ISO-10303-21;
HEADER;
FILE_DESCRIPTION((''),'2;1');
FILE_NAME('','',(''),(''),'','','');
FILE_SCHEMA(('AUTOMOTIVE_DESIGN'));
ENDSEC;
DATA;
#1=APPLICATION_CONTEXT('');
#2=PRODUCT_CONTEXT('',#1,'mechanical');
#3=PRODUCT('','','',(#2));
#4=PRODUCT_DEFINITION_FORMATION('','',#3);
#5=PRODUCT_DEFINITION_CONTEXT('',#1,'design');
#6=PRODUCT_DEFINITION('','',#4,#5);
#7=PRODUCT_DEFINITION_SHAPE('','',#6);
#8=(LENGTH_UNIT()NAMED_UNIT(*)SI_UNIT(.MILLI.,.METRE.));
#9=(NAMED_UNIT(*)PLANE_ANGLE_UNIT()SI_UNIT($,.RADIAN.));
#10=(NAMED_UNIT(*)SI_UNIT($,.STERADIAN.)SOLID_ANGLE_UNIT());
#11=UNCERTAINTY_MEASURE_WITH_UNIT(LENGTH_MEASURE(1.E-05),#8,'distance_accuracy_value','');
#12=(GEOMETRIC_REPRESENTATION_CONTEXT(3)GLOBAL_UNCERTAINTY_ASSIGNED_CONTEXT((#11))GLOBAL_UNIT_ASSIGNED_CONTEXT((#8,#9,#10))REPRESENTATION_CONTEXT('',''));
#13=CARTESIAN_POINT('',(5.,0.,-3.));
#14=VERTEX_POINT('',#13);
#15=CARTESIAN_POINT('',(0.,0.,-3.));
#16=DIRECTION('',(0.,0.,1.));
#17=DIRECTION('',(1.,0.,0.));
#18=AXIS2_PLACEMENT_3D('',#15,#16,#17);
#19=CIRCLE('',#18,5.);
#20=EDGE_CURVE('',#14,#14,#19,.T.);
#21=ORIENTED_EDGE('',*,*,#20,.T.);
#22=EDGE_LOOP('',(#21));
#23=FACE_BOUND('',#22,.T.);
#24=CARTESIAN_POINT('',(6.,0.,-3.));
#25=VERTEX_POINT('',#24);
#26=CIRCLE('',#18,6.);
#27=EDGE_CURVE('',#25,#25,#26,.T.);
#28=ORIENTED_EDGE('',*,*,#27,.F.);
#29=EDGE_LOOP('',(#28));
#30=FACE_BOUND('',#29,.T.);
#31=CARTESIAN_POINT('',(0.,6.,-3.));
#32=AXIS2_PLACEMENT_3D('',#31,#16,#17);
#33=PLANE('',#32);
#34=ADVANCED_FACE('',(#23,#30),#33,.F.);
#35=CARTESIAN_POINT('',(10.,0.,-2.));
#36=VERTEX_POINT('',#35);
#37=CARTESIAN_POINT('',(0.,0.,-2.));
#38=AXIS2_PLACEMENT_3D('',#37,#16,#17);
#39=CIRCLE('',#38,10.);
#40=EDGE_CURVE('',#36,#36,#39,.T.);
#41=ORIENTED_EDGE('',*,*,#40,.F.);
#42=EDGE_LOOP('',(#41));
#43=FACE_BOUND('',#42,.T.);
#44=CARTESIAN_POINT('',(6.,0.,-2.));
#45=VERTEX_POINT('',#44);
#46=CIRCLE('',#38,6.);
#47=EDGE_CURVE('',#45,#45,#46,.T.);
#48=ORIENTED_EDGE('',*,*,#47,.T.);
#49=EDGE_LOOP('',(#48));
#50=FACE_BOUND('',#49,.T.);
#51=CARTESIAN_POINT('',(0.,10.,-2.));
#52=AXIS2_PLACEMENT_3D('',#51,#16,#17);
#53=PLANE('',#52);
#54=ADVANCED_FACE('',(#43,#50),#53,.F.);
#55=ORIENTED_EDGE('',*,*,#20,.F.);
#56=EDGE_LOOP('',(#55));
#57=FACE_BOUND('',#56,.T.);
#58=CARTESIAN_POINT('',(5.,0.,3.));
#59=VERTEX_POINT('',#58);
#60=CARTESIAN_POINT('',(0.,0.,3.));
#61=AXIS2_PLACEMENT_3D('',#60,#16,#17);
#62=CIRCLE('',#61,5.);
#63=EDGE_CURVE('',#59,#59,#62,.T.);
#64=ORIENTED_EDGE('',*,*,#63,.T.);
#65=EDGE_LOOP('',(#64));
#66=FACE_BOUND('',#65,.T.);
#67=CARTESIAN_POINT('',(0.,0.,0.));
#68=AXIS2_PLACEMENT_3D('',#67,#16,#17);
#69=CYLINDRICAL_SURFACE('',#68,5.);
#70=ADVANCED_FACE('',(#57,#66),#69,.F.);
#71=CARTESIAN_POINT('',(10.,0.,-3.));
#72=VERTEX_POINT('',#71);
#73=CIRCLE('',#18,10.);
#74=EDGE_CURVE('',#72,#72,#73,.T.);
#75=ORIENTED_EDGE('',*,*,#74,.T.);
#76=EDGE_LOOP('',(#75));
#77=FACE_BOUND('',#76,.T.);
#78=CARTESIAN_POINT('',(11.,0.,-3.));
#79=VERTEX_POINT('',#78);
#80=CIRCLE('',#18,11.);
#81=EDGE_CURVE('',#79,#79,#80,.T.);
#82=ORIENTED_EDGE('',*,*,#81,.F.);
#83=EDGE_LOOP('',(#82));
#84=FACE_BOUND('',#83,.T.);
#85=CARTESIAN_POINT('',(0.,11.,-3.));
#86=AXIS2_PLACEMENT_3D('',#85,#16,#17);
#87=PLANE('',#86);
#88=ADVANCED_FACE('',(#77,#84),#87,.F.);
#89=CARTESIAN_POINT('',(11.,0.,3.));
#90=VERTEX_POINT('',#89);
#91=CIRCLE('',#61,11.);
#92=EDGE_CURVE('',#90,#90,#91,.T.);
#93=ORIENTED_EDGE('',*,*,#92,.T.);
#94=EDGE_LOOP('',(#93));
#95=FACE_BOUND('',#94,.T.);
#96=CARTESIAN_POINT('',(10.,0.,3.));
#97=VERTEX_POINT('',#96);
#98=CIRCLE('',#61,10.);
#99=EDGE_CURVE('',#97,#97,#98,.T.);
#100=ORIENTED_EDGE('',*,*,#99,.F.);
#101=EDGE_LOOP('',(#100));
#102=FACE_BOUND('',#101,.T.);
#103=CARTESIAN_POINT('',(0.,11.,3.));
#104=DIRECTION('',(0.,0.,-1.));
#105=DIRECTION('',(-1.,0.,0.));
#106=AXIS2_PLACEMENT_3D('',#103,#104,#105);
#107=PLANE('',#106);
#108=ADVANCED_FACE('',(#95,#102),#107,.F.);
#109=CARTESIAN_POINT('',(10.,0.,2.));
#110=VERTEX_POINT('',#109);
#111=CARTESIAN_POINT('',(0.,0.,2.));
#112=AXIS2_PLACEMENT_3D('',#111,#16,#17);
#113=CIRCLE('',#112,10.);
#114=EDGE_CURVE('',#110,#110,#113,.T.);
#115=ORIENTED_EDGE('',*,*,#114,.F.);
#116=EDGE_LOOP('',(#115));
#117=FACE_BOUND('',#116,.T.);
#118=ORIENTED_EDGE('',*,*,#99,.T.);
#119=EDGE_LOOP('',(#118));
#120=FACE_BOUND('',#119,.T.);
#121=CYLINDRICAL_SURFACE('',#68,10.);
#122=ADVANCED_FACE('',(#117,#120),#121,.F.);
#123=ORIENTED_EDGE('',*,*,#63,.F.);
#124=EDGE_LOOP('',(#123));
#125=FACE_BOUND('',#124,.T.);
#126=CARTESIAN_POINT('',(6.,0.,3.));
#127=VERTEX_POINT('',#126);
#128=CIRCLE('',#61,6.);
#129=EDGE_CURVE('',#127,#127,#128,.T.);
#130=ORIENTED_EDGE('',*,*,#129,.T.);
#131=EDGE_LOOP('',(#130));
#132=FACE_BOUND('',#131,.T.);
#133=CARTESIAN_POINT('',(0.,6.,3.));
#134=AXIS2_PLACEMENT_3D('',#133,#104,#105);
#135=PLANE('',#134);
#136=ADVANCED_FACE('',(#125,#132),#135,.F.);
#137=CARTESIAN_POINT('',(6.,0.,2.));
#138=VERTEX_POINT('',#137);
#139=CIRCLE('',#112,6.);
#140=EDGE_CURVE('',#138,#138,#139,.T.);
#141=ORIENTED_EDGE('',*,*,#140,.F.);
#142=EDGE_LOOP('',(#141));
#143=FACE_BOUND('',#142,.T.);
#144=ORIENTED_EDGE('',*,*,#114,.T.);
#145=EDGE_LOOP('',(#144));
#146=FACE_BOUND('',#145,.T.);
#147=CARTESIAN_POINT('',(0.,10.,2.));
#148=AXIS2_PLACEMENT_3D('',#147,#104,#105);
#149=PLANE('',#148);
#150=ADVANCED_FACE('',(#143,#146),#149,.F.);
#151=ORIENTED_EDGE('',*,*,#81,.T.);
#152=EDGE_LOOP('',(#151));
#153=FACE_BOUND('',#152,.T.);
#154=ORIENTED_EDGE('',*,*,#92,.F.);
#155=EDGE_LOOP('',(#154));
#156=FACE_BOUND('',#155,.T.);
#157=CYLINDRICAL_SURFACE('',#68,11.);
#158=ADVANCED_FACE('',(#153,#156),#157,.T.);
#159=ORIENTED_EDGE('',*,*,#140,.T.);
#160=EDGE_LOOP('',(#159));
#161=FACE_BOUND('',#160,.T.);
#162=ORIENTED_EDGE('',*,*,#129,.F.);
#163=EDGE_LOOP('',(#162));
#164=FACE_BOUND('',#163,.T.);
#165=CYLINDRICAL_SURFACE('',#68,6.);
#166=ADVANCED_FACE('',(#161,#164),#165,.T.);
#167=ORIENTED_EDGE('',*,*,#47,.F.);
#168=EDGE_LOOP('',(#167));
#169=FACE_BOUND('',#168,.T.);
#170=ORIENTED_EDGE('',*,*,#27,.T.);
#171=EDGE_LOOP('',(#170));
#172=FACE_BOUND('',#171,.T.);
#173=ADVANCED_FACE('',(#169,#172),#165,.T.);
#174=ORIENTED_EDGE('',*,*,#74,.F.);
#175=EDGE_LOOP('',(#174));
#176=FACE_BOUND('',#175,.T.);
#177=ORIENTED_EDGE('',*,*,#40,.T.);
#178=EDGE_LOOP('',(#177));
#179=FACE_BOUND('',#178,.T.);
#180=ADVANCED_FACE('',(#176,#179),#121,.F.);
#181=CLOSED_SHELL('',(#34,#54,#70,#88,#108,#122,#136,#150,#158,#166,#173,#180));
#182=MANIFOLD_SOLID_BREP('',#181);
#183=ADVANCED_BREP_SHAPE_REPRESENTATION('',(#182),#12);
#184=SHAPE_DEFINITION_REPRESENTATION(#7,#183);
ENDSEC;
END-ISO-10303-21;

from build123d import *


with BuildPart() as part:
    # ｽｹｯﾁ1 → 回転1 (revolve)
    with BuildSketch(Plane(origin=(0, 0, 0), x_dir=(0, 0, -1), z_dir=(1, 0, 0)), mode=Mode.PRIVATE) as revolve_1_sk:
        Polygon((3, 11), (-3, 11), (-3, 10), (-2, 10), (-2, 6), (-3, 6), (-3, 5), (3, 5), (3, 6), (2, 6), (2, 10), (3, 10), align=None)
    revolve(revolve_1_sk.sketch.rotate(Axis((0, 0, 0), (0, 0, -1)), 90), axis=Axis((0, 0, 0), (0, 0, -1)))


solid = part.part
